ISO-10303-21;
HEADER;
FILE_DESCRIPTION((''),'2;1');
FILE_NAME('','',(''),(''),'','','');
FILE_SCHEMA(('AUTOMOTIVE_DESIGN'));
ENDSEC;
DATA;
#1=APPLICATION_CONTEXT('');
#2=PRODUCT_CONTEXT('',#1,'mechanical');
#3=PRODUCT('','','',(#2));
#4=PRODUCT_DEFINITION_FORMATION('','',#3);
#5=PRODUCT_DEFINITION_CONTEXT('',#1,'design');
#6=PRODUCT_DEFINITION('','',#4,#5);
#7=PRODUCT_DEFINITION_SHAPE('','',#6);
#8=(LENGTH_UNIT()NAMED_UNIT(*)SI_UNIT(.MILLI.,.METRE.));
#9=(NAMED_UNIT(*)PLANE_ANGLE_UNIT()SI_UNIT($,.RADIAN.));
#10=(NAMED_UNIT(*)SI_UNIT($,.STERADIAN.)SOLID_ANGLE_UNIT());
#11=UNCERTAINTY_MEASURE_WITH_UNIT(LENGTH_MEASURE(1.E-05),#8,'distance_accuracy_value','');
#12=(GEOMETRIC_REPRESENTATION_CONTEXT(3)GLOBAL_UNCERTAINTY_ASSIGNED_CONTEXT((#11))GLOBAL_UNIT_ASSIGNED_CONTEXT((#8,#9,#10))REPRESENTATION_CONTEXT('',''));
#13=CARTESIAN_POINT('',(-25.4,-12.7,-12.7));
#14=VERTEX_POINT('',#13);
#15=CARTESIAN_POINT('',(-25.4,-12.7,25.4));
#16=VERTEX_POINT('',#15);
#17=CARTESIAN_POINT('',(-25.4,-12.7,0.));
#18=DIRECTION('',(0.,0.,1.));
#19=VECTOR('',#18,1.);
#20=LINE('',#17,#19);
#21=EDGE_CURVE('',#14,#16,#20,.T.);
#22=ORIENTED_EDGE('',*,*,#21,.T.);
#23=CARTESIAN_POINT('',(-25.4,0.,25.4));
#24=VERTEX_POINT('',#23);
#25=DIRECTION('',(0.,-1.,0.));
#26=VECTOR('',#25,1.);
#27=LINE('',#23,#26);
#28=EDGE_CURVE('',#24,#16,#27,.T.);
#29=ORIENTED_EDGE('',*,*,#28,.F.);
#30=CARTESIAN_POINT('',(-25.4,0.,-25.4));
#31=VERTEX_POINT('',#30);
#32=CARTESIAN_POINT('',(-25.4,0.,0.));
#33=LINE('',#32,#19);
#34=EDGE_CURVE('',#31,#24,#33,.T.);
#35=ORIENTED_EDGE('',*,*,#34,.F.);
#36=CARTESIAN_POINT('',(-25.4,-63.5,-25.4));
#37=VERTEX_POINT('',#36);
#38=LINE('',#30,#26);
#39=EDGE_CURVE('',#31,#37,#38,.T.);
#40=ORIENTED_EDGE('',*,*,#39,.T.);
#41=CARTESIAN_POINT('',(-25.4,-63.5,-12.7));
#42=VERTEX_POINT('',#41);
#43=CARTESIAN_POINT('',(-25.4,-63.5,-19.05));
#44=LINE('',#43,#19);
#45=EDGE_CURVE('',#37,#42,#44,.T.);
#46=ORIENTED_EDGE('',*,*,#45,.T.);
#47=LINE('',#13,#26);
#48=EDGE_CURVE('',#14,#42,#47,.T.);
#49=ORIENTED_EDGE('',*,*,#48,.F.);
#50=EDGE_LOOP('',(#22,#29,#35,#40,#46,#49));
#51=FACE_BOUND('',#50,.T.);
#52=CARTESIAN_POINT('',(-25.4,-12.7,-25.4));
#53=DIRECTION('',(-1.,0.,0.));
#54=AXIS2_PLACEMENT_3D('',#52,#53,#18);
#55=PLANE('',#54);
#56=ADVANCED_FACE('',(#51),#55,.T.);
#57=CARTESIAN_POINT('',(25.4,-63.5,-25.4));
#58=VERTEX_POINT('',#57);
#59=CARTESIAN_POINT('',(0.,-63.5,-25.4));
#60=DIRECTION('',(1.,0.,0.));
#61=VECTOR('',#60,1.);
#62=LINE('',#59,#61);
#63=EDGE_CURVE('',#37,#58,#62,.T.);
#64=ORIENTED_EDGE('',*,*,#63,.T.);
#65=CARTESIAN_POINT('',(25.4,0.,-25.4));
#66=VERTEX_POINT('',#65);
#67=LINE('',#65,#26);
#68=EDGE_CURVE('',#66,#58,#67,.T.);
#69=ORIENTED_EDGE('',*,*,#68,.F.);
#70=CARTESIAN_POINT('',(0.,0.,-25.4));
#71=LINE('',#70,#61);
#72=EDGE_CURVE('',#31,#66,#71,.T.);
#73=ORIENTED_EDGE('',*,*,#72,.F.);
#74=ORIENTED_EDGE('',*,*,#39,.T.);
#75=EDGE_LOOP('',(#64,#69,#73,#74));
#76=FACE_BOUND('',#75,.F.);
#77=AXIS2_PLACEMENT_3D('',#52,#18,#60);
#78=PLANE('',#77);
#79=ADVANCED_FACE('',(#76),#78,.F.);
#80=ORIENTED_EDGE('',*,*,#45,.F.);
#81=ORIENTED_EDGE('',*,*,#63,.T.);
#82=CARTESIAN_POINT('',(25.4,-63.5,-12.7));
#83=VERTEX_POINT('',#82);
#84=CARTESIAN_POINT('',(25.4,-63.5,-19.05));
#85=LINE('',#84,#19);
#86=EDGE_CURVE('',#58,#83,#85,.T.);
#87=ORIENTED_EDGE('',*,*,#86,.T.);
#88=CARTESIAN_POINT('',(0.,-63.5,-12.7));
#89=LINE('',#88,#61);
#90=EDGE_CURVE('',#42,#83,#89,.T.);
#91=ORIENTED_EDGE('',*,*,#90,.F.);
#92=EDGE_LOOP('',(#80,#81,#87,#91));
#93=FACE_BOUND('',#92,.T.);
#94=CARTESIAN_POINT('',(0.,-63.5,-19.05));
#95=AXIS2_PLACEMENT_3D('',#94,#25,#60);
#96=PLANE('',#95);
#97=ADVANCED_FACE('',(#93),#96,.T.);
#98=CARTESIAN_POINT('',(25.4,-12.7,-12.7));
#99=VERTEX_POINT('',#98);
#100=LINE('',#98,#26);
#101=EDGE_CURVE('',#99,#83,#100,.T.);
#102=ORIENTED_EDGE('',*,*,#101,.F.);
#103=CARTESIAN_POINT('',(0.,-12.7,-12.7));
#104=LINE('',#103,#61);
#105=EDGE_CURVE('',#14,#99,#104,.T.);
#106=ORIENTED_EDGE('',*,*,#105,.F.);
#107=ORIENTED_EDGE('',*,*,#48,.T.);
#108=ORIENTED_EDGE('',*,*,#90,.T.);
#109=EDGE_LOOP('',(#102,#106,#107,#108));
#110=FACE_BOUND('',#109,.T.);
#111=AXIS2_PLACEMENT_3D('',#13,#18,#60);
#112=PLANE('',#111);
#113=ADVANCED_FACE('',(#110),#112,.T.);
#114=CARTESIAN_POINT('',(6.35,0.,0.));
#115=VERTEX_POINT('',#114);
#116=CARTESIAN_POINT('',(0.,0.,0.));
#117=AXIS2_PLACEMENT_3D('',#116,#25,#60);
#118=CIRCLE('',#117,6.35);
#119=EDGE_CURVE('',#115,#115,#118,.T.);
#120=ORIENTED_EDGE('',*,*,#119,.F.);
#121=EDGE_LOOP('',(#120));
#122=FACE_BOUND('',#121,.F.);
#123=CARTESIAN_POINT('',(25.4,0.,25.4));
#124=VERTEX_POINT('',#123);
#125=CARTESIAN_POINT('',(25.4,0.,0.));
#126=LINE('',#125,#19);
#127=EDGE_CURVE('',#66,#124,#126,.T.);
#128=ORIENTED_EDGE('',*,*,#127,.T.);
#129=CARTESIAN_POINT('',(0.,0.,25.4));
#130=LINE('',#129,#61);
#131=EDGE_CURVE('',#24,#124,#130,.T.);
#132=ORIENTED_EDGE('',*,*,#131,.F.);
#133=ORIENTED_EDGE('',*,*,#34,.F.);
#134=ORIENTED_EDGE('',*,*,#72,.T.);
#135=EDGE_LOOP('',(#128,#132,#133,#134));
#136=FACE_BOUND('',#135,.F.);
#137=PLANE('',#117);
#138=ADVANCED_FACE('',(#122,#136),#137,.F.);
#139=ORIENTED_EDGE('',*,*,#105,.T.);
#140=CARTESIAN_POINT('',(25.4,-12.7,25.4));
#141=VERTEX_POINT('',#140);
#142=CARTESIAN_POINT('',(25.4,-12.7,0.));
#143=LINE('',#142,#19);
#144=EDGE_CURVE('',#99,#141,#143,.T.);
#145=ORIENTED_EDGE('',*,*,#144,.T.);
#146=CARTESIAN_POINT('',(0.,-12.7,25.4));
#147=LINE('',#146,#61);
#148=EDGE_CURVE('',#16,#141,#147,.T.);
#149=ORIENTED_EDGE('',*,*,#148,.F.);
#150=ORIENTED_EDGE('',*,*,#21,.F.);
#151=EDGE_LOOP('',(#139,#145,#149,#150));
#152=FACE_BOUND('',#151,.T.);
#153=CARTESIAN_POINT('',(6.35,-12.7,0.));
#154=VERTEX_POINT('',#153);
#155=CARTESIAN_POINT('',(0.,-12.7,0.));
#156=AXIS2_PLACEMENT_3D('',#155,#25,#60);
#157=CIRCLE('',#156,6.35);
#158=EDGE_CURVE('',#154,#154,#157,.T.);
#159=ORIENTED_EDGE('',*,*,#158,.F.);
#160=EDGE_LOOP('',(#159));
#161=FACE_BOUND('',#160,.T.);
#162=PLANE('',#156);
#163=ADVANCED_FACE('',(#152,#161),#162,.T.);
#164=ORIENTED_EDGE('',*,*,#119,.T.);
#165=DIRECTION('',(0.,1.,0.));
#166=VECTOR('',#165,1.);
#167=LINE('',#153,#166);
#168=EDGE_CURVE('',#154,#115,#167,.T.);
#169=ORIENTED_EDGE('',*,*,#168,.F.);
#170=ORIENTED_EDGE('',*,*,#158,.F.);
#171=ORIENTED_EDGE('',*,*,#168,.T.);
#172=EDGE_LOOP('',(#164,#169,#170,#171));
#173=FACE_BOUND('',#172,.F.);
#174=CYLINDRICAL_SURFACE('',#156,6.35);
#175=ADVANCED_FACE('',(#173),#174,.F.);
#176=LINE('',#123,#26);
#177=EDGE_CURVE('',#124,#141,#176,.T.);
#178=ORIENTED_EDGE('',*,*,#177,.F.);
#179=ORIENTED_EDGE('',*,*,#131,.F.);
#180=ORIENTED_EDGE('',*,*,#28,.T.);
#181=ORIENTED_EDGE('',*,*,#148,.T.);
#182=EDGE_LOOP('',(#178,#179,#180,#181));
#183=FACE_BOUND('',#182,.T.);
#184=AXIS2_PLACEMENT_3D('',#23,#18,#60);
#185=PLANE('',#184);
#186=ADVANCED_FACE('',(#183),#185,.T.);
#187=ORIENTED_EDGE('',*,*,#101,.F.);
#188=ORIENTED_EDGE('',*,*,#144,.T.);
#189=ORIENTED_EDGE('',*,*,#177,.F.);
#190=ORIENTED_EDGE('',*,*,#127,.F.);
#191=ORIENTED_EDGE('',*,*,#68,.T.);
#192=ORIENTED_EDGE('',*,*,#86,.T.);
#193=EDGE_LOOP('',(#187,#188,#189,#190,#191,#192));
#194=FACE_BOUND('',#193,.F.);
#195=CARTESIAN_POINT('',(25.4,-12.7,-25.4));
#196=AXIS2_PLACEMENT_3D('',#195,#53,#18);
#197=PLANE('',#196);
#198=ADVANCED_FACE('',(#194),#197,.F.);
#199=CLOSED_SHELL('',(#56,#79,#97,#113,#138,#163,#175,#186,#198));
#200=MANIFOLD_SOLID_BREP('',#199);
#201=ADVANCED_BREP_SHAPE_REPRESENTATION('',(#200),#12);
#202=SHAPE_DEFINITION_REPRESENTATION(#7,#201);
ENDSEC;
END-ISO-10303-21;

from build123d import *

# Parameters (mm, degrees)
F0_W     = 50.8
F0_H     = 50.8
F1_DEPTH = 12.7
F2_W     = 50.8
F2_H     = 12.7
F3_DEPTH = 50.8
F4_R     = 6.35
F5_DEPTH = 12.701


with BuildPart() as f1:
    # F0 (on Front) → F1 (new body)
    with BuildSketch(Plane.XZ):
        Rectangle(F0_W, F0_H)
    extrude(amount=F1_DEPTH)

    # F2 (on face) → F3 (join)
    with BuildSketch(Plane.XZ.offset(12.7)):
        with Locations((0, -19.05)):
            Rectangle(F2_W, F2_H)
    extrude(amount=F3_DEPTH)

    # F4 (on face) → F5 (cut, through all)
    with BuildSketch(Plane.XZ.offset(12.7)):
        Circle(F4_R)
    extrude(amount=-F5_DEPTH, mode=Mode.SUBTRACT)


solid = f1.part
